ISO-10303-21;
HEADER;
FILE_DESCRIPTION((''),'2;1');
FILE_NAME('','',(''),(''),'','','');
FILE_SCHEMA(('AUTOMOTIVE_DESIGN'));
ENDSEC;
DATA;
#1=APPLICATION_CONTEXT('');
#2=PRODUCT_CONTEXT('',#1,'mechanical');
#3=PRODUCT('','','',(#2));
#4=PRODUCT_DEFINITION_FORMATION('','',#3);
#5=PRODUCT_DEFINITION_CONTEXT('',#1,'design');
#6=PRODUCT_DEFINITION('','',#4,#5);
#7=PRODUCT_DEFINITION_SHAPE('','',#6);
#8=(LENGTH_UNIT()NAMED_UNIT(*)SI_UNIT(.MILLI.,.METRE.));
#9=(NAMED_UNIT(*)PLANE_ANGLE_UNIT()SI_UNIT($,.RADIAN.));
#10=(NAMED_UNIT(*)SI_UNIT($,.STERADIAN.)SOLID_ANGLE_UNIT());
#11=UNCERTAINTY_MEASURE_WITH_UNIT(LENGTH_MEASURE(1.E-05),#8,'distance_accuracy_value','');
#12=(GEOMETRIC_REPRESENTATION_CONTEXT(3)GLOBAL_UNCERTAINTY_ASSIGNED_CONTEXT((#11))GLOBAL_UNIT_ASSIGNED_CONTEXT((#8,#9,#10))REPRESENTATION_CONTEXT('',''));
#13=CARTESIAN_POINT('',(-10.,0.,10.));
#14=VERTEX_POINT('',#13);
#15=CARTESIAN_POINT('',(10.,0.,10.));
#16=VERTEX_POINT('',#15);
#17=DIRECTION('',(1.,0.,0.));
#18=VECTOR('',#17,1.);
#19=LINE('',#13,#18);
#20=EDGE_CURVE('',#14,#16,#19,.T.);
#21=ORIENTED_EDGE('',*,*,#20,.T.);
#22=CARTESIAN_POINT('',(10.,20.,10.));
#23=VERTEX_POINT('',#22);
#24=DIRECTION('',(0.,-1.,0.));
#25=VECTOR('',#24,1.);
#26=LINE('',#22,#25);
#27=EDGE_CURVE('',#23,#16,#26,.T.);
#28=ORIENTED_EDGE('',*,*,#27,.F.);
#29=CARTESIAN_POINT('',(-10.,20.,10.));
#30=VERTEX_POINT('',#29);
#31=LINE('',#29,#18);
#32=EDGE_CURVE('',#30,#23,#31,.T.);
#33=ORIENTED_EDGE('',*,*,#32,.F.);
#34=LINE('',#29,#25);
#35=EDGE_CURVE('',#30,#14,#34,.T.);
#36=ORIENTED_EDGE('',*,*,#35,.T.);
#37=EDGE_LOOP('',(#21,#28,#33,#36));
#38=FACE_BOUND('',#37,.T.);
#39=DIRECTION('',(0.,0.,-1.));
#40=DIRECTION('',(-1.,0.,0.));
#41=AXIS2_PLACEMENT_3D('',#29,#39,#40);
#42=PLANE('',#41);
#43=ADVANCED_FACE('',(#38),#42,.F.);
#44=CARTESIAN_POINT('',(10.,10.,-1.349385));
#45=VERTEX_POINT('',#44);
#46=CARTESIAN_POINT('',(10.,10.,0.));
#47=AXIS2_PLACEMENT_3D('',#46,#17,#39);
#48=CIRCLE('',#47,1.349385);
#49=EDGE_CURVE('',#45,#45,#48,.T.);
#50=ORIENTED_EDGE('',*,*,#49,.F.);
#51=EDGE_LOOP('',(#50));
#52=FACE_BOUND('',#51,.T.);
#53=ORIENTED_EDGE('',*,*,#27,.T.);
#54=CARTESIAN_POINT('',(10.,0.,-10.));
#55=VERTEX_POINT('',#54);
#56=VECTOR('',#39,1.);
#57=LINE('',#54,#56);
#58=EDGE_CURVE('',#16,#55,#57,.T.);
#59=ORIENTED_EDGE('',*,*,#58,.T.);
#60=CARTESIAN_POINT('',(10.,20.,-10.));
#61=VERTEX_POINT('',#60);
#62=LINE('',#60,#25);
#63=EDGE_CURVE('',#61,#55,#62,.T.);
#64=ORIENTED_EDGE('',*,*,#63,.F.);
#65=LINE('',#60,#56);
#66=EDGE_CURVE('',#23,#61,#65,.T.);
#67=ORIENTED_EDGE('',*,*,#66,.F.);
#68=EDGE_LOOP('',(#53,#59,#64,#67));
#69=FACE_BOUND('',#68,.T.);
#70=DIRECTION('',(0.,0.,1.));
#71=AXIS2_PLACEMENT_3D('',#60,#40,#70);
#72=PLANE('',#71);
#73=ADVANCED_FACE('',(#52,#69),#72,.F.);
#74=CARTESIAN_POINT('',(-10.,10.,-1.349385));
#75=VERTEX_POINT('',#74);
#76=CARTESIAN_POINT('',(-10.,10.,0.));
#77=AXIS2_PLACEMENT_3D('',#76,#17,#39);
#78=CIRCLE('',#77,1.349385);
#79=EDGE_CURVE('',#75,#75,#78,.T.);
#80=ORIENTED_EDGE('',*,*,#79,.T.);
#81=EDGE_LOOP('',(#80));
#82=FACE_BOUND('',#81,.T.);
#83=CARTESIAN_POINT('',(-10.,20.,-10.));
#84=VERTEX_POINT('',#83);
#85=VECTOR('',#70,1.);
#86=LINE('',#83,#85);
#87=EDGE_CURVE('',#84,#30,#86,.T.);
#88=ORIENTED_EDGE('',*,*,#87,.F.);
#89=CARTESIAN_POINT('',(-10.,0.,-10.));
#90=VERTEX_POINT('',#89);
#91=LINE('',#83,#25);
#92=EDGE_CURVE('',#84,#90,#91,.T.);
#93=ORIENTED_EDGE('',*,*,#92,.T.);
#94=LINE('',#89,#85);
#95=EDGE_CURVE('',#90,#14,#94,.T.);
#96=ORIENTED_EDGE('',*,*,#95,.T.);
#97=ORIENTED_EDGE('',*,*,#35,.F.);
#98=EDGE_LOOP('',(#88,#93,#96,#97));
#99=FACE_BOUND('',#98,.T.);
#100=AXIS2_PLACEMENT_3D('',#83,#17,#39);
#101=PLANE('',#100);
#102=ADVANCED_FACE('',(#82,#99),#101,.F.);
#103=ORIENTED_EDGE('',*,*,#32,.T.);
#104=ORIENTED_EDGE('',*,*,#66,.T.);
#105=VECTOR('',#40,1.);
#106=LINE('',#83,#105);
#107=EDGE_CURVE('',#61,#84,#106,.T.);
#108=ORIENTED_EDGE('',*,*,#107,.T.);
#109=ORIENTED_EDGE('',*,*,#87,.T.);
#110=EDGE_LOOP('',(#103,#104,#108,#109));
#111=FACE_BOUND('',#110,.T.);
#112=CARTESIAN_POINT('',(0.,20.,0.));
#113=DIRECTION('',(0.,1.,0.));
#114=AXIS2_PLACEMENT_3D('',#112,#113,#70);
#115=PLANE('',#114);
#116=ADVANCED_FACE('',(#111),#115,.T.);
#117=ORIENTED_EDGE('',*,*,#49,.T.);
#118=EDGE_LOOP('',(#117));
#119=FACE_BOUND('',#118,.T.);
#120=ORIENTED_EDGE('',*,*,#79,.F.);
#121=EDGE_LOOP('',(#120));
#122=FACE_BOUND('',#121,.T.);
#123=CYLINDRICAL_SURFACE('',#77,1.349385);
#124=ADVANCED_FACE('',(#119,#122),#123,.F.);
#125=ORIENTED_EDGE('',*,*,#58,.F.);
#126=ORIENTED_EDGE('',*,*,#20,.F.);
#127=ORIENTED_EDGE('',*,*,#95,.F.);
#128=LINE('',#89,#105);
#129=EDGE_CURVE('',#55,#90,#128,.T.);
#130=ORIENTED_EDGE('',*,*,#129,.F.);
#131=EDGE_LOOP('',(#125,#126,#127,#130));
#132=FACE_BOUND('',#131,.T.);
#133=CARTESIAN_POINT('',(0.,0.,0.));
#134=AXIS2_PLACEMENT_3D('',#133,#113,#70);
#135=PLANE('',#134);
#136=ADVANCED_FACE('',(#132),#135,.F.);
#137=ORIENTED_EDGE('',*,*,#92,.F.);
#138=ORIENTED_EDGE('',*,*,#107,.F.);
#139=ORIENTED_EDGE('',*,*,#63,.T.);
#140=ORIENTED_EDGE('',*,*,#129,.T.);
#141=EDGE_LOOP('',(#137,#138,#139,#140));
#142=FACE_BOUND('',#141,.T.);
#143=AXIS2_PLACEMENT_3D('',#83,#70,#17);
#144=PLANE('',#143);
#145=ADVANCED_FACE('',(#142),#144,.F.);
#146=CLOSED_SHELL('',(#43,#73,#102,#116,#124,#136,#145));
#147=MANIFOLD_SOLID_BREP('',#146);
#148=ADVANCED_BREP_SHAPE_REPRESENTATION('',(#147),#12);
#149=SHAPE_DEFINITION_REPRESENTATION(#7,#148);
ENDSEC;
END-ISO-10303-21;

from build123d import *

# Parameters (mm, degrees)
SKETCH1_W           = 20
SKETCH1_H           = 20
BOSS_EXTRUDE1_DEPTH = 20
SKETCH2_R           = 1.349385492
CUT_EXTRUDE1_DEPTH  = 20


with BuildPart() as part:
    # Sketch1 → Boss-Extrude1 (new body)
    with BuildSketch(Plane(origin=(0, 0, 0), x_dir=(1, 0, 0), z_dir=(0, 1, 0))):
        Rectangle(SKETCH1_W, SKETCH1_H)
    extrude(amount=BOSS_EXTRUDE1_DEPTH)

    # Sketch2 → Cut-Extrude1 (cut)
    with BuildSketch(Plane(origin=(10, 0, 0), x_dir=(0, 0, -1), z_dir=(1, 0, 0))):
        with Locations((0, 10)):
            Circle(SKETCH2_R)
    extrude(amount=-CUT_EXTRUDE1_DEPTH, mode=Mode.SUBTRACT)


solid = part.part
